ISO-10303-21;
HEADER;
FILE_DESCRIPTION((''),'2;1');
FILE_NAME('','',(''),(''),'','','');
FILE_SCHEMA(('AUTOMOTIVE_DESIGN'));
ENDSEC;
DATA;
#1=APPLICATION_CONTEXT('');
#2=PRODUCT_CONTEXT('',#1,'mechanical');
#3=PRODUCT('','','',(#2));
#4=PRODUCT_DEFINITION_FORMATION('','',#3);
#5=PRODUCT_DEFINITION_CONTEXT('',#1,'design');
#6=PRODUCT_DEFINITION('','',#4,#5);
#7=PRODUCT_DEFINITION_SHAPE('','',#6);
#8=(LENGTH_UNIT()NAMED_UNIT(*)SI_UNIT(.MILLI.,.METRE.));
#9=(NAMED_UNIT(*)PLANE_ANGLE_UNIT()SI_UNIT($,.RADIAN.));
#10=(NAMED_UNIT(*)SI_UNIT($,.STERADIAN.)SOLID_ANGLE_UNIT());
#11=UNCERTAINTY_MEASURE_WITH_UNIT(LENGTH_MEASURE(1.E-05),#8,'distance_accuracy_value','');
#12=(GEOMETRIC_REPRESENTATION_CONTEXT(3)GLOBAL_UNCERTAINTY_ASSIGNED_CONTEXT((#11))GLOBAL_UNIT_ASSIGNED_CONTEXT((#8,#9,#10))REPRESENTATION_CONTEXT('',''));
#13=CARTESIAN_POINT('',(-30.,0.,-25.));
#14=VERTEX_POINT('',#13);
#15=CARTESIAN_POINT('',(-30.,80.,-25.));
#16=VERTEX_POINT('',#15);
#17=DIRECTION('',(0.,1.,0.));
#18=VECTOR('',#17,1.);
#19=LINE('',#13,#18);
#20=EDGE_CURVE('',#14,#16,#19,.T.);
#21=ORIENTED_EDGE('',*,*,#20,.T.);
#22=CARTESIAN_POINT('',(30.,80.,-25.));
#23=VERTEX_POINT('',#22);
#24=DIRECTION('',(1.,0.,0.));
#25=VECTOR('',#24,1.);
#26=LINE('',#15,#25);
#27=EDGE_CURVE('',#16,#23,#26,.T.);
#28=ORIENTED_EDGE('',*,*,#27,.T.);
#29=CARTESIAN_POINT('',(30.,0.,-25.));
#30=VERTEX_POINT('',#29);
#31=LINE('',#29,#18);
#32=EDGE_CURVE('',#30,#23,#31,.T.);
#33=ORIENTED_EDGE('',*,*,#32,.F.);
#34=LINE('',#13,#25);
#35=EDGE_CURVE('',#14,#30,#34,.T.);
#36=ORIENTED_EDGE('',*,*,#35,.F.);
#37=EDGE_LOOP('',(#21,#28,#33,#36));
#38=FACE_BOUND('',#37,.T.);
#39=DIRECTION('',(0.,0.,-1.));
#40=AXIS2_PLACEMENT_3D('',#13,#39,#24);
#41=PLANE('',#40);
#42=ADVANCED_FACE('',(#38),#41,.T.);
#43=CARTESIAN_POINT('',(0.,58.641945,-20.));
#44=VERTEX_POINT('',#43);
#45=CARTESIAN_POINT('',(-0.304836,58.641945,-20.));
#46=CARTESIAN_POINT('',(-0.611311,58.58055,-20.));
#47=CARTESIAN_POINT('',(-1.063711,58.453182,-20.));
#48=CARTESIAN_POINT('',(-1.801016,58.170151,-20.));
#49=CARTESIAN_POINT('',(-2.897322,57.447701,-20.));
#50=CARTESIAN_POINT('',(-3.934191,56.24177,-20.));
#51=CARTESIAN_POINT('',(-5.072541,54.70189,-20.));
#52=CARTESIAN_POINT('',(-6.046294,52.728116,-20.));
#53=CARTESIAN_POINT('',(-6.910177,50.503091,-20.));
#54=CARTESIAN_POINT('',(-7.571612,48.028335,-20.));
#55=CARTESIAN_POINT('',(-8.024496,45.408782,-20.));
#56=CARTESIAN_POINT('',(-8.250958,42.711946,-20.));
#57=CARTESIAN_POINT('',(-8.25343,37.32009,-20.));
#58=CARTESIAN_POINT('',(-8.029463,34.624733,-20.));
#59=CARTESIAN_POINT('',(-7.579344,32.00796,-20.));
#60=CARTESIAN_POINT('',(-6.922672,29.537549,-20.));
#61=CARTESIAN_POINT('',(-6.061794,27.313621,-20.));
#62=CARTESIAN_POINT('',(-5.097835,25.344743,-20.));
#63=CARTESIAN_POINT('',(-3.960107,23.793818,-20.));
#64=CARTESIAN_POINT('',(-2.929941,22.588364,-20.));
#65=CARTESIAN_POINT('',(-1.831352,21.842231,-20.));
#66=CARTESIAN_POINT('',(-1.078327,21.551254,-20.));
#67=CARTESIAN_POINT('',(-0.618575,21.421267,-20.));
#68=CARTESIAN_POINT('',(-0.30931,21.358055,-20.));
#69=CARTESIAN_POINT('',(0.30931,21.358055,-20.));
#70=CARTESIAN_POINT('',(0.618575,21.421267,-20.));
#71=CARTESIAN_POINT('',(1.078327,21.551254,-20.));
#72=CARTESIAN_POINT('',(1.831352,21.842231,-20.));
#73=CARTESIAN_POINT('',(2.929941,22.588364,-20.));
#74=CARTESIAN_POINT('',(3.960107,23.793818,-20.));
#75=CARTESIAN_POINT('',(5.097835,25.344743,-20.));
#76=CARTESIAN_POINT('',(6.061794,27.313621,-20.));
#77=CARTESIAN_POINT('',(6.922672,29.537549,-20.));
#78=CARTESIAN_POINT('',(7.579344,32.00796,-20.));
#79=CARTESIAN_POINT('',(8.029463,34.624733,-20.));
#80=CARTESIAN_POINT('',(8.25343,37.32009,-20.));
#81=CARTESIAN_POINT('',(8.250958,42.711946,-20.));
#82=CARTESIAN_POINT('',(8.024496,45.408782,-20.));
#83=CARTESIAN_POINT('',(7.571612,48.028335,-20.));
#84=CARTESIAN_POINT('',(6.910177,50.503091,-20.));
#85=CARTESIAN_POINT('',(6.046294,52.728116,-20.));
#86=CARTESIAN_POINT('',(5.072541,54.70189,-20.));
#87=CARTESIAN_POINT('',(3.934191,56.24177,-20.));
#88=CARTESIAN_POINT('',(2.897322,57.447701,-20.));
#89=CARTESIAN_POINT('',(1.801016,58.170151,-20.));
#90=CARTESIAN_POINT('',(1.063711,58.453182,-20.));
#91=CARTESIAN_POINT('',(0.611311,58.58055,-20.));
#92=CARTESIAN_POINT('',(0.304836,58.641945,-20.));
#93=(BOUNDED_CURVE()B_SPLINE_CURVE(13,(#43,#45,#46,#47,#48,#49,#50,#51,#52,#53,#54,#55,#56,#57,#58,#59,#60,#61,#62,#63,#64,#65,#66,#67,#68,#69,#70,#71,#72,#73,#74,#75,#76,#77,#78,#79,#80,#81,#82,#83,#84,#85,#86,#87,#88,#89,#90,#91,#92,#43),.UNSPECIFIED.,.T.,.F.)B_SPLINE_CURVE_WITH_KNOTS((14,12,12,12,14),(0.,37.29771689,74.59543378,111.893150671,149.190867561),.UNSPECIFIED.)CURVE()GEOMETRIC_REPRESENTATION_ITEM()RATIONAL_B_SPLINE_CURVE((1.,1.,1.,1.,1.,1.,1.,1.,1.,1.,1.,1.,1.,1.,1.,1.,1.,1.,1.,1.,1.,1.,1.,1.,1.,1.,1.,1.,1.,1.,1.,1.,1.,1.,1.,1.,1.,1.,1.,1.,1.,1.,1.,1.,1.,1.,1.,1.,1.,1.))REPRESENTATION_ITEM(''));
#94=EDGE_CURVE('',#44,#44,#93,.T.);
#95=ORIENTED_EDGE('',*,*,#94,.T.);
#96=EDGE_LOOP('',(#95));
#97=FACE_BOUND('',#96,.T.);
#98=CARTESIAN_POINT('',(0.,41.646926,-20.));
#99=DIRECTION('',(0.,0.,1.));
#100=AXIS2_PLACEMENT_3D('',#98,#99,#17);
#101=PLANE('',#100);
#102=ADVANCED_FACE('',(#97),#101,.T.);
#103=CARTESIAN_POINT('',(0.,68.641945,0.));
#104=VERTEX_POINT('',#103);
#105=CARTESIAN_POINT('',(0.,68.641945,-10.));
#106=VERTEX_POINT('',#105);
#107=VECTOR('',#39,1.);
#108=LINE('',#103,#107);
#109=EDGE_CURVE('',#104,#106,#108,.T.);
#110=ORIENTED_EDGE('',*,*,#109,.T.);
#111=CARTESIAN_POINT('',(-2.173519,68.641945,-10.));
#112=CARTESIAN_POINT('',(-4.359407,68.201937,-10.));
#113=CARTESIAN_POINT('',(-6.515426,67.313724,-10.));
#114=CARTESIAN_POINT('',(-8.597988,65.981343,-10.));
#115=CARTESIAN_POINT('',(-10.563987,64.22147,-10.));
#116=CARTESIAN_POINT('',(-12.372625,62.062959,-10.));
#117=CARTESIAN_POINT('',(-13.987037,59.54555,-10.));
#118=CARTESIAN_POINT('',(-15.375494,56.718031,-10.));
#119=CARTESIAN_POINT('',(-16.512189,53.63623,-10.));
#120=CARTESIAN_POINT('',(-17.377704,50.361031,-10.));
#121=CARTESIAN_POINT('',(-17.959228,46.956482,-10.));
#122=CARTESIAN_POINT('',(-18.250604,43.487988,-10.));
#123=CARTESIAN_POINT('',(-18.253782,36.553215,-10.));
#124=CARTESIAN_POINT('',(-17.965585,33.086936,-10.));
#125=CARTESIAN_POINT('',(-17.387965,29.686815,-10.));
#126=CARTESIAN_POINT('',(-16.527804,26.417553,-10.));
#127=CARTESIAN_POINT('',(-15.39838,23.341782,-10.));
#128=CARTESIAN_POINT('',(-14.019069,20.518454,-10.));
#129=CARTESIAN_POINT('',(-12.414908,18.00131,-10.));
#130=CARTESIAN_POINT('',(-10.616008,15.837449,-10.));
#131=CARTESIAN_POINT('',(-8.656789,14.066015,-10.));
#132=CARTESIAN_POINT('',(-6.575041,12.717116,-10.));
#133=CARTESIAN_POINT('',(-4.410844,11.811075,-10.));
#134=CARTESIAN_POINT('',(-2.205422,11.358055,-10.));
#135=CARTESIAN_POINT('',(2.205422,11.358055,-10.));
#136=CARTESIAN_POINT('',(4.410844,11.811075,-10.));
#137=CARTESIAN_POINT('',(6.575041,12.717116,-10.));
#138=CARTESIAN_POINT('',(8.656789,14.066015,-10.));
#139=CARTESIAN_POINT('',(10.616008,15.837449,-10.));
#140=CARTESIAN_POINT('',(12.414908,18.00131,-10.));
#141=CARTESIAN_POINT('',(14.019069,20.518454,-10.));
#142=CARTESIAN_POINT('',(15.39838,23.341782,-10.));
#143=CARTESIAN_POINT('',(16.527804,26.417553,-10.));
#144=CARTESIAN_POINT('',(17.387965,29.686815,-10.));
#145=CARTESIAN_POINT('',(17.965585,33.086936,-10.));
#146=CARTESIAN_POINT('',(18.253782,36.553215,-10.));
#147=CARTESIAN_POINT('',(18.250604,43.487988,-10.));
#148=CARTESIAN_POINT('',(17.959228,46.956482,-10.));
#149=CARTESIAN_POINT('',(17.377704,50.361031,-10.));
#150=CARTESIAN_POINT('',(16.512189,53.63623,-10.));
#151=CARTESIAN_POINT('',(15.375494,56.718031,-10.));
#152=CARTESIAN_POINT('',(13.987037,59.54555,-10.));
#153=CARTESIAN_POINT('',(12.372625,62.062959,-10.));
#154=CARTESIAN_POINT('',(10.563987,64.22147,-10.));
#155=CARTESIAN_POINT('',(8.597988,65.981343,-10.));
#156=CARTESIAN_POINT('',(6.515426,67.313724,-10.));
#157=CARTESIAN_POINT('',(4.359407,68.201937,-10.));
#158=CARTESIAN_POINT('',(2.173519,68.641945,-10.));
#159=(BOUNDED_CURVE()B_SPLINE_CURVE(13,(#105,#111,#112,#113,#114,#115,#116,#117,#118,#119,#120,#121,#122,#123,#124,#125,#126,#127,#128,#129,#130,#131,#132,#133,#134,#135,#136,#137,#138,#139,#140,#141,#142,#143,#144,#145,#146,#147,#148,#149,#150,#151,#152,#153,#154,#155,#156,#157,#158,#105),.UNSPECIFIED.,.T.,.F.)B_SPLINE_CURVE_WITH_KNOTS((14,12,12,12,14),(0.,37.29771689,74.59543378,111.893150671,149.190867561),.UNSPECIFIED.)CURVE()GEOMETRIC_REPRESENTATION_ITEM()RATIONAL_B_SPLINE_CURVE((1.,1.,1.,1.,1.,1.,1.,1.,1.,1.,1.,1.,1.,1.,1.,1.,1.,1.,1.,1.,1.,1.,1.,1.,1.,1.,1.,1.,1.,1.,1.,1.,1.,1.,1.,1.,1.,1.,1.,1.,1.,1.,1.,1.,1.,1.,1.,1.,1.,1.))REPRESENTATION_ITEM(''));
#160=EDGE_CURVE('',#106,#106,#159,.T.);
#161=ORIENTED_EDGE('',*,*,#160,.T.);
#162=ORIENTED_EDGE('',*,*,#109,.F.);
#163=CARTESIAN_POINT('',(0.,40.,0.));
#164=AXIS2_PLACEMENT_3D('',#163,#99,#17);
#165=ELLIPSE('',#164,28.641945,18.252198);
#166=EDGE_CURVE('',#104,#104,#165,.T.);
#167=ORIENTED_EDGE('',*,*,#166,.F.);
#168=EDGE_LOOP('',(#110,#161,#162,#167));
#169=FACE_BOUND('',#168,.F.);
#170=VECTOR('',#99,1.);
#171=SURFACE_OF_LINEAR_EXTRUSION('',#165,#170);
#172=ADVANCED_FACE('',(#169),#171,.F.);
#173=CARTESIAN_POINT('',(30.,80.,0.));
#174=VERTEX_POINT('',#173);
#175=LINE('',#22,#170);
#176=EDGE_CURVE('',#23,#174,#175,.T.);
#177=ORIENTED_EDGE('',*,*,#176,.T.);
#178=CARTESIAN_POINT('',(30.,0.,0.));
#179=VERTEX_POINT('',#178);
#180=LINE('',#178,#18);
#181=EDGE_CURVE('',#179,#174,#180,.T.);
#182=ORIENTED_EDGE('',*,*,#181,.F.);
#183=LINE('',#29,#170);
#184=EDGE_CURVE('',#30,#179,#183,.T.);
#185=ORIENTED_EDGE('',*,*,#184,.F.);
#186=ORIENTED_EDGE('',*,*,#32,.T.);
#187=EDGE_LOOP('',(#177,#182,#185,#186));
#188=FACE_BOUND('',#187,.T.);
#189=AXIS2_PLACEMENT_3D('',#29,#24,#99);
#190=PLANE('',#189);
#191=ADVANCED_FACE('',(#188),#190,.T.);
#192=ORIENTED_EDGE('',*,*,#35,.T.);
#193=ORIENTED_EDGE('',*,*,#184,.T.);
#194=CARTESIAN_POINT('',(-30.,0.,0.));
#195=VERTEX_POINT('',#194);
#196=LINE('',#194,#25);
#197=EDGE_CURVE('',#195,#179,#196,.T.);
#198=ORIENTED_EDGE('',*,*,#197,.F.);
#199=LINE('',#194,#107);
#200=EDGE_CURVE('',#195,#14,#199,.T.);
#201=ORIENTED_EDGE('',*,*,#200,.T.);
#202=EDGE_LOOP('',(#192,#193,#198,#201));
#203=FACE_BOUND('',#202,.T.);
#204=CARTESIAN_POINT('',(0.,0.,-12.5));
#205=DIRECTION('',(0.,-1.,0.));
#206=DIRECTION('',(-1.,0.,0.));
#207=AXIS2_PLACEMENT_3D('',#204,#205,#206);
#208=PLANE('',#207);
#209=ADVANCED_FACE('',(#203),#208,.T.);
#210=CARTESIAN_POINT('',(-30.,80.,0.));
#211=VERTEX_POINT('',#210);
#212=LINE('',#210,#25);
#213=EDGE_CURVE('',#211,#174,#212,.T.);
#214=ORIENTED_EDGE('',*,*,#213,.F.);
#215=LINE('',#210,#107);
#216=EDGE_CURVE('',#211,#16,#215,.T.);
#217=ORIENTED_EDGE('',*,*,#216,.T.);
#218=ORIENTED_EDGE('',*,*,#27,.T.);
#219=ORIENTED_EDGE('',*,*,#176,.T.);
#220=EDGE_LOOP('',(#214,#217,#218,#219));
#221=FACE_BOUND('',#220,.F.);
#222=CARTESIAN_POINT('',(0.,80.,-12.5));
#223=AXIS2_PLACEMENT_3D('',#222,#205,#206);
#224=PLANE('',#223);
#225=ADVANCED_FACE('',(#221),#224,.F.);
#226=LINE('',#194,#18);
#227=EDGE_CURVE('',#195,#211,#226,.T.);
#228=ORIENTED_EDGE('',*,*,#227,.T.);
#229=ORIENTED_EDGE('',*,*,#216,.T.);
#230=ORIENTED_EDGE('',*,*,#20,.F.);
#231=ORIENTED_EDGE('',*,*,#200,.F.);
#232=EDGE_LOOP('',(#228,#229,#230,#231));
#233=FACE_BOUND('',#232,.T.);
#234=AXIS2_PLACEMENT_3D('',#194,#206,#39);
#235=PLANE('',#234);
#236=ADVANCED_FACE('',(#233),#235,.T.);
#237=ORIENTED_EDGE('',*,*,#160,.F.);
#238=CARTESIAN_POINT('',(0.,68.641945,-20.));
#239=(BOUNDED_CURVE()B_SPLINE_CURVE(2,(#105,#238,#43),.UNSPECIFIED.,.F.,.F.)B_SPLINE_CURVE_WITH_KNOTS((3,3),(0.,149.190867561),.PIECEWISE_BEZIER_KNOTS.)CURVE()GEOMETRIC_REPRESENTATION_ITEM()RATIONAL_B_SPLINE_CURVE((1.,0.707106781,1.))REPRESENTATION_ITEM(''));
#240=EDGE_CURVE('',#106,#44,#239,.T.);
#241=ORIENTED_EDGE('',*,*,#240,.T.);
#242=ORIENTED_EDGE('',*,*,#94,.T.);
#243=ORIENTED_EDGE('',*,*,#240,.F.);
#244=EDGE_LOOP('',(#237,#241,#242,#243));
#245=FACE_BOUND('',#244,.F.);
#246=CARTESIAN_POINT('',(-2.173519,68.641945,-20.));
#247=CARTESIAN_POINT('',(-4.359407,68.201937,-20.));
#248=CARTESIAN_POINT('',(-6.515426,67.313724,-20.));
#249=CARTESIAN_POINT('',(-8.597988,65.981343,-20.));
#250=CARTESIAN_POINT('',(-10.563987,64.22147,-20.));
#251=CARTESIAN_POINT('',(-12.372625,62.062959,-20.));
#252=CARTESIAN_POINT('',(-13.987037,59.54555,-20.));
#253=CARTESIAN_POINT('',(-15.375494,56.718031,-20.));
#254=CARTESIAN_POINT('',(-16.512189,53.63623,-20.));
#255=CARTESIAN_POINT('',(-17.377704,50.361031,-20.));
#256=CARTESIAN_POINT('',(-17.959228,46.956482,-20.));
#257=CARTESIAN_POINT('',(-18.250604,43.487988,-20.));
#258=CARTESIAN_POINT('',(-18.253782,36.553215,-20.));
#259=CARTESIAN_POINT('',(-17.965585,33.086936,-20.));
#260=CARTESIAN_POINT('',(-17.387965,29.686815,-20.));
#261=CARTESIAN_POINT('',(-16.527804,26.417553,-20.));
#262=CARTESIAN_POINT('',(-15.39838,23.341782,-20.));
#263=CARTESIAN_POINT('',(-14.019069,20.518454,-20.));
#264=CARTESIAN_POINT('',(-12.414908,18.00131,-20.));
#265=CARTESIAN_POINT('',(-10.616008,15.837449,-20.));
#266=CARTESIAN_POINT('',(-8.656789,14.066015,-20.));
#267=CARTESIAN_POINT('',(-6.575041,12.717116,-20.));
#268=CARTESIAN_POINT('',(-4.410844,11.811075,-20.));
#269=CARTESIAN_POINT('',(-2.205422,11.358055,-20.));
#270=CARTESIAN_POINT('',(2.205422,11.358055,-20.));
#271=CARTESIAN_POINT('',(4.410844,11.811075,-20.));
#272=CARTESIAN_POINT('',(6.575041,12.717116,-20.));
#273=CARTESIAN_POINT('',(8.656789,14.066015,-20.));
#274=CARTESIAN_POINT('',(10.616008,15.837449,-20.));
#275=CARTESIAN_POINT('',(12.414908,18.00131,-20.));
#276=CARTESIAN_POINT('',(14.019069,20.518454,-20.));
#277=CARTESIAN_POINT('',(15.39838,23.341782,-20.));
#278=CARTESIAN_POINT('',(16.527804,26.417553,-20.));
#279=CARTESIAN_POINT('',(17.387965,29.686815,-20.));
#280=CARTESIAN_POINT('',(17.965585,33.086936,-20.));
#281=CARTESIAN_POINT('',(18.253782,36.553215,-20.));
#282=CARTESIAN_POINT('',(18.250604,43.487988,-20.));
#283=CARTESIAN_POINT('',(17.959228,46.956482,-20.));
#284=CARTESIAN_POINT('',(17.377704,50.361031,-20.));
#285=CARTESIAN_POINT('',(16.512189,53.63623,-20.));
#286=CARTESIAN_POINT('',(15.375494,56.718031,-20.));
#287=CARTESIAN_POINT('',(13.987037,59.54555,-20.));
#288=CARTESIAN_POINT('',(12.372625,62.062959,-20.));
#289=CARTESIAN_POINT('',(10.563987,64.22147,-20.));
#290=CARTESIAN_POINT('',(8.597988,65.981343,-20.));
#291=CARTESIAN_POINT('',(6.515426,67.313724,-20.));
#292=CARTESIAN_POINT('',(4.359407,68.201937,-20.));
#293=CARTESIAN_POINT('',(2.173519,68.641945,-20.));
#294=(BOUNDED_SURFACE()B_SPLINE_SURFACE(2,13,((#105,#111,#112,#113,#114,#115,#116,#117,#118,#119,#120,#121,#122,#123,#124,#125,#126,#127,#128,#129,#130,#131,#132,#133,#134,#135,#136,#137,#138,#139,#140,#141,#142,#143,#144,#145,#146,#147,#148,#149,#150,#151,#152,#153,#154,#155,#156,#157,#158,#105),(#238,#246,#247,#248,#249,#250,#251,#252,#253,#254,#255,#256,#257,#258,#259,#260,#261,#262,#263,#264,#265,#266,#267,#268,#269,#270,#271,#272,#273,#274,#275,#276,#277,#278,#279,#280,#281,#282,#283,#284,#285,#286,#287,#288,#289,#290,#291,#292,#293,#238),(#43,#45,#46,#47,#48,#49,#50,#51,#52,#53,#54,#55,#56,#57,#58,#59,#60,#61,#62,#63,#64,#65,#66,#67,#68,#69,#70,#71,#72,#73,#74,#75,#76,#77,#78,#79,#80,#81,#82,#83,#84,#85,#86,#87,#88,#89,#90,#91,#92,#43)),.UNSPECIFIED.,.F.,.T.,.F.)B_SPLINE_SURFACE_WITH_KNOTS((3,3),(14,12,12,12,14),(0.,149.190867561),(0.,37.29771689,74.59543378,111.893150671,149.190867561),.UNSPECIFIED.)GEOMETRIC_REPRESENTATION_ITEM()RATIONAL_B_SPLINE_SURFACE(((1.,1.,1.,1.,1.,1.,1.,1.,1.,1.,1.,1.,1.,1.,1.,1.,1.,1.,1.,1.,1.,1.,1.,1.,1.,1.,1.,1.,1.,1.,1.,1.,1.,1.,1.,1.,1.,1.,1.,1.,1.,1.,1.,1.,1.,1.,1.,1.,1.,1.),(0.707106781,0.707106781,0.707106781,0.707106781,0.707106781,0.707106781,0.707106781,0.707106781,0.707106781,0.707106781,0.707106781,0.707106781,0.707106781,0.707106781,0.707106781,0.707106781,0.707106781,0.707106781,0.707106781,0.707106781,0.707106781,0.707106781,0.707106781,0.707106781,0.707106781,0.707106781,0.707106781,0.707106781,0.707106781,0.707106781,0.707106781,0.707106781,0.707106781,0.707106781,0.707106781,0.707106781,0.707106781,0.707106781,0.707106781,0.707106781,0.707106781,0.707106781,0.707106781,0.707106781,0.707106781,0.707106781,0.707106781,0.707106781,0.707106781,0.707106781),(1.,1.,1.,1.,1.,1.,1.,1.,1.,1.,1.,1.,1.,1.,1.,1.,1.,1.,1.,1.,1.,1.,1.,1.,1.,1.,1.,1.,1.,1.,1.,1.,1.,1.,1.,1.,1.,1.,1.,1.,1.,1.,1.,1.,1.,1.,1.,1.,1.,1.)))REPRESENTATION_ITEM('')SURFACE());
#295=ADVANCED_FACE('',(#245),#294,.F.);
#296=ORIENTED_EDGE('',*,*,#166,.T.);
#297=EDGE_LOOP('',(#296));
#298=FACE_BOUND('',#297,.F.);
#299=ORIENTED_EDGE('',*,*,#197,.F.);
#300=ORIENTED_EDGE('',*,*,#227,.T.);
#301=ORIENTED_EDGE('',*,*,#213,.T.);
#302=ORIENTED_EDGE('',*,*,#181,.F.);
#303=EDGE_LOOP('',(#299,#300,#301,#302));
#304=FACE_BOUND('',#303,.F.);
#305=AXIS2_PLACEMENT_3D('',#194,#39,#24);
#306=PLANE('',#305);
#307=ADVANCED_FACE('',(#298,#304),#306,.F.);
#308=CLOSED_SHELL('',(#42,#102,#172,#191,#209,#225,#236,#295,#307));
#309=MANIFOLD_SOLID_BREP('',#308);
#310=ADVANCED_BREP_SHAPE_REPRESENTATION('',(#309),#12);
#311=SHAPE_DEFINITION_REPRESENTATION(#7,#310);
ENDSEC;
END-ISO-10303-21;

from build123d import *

# Parameters (mm, degrees)
SALIENTE_EXTRUIR1_DEPTH = 80
CROQUIS2_RX             = 28.641945325
CROQUIS2_RY             = 18.2521978
CORTAR_EXTRUIR1_DEPTH   = 20
REDONDEO1_R             = 10


with BuildPart() as part:
    # Croquis1 → Saliente-Extruir1 (new body)
    with BuildSketch(Plane(origin=(0, 0, 0), x_dir=(1, 0, 0), z_dir=(0, 1, 0))):
        Polygon((0, 0), (-30, 0), (-30, 25), (30, 25), (30, 0), align=None)
    extrude(amount=SALIENTE_EXTRUIR1_DEPTH)

    # Croquis2 → Cortar-Extruir1 (cut)
    with BuildSketch(Plane.XY):
        with Locations(Location((0, 40), (0, 0, 90))):
            Ellipse(CROQUIS2_RX, CROQUIS2_RY)
    extrude(amount=-CORTAR_EXTRUIR1_DEPTH, mode=Mode.SUBTRACT)

    # Redondeo1
    redondeo1_edges = [part.edges().sort_by_distance(p)[0] for p in [
        (0.027512659, 11.358087214, -20),
    ]]
    fillet(redondeo1_edges, radius=REDONDEO1_R)


solid = part.part
